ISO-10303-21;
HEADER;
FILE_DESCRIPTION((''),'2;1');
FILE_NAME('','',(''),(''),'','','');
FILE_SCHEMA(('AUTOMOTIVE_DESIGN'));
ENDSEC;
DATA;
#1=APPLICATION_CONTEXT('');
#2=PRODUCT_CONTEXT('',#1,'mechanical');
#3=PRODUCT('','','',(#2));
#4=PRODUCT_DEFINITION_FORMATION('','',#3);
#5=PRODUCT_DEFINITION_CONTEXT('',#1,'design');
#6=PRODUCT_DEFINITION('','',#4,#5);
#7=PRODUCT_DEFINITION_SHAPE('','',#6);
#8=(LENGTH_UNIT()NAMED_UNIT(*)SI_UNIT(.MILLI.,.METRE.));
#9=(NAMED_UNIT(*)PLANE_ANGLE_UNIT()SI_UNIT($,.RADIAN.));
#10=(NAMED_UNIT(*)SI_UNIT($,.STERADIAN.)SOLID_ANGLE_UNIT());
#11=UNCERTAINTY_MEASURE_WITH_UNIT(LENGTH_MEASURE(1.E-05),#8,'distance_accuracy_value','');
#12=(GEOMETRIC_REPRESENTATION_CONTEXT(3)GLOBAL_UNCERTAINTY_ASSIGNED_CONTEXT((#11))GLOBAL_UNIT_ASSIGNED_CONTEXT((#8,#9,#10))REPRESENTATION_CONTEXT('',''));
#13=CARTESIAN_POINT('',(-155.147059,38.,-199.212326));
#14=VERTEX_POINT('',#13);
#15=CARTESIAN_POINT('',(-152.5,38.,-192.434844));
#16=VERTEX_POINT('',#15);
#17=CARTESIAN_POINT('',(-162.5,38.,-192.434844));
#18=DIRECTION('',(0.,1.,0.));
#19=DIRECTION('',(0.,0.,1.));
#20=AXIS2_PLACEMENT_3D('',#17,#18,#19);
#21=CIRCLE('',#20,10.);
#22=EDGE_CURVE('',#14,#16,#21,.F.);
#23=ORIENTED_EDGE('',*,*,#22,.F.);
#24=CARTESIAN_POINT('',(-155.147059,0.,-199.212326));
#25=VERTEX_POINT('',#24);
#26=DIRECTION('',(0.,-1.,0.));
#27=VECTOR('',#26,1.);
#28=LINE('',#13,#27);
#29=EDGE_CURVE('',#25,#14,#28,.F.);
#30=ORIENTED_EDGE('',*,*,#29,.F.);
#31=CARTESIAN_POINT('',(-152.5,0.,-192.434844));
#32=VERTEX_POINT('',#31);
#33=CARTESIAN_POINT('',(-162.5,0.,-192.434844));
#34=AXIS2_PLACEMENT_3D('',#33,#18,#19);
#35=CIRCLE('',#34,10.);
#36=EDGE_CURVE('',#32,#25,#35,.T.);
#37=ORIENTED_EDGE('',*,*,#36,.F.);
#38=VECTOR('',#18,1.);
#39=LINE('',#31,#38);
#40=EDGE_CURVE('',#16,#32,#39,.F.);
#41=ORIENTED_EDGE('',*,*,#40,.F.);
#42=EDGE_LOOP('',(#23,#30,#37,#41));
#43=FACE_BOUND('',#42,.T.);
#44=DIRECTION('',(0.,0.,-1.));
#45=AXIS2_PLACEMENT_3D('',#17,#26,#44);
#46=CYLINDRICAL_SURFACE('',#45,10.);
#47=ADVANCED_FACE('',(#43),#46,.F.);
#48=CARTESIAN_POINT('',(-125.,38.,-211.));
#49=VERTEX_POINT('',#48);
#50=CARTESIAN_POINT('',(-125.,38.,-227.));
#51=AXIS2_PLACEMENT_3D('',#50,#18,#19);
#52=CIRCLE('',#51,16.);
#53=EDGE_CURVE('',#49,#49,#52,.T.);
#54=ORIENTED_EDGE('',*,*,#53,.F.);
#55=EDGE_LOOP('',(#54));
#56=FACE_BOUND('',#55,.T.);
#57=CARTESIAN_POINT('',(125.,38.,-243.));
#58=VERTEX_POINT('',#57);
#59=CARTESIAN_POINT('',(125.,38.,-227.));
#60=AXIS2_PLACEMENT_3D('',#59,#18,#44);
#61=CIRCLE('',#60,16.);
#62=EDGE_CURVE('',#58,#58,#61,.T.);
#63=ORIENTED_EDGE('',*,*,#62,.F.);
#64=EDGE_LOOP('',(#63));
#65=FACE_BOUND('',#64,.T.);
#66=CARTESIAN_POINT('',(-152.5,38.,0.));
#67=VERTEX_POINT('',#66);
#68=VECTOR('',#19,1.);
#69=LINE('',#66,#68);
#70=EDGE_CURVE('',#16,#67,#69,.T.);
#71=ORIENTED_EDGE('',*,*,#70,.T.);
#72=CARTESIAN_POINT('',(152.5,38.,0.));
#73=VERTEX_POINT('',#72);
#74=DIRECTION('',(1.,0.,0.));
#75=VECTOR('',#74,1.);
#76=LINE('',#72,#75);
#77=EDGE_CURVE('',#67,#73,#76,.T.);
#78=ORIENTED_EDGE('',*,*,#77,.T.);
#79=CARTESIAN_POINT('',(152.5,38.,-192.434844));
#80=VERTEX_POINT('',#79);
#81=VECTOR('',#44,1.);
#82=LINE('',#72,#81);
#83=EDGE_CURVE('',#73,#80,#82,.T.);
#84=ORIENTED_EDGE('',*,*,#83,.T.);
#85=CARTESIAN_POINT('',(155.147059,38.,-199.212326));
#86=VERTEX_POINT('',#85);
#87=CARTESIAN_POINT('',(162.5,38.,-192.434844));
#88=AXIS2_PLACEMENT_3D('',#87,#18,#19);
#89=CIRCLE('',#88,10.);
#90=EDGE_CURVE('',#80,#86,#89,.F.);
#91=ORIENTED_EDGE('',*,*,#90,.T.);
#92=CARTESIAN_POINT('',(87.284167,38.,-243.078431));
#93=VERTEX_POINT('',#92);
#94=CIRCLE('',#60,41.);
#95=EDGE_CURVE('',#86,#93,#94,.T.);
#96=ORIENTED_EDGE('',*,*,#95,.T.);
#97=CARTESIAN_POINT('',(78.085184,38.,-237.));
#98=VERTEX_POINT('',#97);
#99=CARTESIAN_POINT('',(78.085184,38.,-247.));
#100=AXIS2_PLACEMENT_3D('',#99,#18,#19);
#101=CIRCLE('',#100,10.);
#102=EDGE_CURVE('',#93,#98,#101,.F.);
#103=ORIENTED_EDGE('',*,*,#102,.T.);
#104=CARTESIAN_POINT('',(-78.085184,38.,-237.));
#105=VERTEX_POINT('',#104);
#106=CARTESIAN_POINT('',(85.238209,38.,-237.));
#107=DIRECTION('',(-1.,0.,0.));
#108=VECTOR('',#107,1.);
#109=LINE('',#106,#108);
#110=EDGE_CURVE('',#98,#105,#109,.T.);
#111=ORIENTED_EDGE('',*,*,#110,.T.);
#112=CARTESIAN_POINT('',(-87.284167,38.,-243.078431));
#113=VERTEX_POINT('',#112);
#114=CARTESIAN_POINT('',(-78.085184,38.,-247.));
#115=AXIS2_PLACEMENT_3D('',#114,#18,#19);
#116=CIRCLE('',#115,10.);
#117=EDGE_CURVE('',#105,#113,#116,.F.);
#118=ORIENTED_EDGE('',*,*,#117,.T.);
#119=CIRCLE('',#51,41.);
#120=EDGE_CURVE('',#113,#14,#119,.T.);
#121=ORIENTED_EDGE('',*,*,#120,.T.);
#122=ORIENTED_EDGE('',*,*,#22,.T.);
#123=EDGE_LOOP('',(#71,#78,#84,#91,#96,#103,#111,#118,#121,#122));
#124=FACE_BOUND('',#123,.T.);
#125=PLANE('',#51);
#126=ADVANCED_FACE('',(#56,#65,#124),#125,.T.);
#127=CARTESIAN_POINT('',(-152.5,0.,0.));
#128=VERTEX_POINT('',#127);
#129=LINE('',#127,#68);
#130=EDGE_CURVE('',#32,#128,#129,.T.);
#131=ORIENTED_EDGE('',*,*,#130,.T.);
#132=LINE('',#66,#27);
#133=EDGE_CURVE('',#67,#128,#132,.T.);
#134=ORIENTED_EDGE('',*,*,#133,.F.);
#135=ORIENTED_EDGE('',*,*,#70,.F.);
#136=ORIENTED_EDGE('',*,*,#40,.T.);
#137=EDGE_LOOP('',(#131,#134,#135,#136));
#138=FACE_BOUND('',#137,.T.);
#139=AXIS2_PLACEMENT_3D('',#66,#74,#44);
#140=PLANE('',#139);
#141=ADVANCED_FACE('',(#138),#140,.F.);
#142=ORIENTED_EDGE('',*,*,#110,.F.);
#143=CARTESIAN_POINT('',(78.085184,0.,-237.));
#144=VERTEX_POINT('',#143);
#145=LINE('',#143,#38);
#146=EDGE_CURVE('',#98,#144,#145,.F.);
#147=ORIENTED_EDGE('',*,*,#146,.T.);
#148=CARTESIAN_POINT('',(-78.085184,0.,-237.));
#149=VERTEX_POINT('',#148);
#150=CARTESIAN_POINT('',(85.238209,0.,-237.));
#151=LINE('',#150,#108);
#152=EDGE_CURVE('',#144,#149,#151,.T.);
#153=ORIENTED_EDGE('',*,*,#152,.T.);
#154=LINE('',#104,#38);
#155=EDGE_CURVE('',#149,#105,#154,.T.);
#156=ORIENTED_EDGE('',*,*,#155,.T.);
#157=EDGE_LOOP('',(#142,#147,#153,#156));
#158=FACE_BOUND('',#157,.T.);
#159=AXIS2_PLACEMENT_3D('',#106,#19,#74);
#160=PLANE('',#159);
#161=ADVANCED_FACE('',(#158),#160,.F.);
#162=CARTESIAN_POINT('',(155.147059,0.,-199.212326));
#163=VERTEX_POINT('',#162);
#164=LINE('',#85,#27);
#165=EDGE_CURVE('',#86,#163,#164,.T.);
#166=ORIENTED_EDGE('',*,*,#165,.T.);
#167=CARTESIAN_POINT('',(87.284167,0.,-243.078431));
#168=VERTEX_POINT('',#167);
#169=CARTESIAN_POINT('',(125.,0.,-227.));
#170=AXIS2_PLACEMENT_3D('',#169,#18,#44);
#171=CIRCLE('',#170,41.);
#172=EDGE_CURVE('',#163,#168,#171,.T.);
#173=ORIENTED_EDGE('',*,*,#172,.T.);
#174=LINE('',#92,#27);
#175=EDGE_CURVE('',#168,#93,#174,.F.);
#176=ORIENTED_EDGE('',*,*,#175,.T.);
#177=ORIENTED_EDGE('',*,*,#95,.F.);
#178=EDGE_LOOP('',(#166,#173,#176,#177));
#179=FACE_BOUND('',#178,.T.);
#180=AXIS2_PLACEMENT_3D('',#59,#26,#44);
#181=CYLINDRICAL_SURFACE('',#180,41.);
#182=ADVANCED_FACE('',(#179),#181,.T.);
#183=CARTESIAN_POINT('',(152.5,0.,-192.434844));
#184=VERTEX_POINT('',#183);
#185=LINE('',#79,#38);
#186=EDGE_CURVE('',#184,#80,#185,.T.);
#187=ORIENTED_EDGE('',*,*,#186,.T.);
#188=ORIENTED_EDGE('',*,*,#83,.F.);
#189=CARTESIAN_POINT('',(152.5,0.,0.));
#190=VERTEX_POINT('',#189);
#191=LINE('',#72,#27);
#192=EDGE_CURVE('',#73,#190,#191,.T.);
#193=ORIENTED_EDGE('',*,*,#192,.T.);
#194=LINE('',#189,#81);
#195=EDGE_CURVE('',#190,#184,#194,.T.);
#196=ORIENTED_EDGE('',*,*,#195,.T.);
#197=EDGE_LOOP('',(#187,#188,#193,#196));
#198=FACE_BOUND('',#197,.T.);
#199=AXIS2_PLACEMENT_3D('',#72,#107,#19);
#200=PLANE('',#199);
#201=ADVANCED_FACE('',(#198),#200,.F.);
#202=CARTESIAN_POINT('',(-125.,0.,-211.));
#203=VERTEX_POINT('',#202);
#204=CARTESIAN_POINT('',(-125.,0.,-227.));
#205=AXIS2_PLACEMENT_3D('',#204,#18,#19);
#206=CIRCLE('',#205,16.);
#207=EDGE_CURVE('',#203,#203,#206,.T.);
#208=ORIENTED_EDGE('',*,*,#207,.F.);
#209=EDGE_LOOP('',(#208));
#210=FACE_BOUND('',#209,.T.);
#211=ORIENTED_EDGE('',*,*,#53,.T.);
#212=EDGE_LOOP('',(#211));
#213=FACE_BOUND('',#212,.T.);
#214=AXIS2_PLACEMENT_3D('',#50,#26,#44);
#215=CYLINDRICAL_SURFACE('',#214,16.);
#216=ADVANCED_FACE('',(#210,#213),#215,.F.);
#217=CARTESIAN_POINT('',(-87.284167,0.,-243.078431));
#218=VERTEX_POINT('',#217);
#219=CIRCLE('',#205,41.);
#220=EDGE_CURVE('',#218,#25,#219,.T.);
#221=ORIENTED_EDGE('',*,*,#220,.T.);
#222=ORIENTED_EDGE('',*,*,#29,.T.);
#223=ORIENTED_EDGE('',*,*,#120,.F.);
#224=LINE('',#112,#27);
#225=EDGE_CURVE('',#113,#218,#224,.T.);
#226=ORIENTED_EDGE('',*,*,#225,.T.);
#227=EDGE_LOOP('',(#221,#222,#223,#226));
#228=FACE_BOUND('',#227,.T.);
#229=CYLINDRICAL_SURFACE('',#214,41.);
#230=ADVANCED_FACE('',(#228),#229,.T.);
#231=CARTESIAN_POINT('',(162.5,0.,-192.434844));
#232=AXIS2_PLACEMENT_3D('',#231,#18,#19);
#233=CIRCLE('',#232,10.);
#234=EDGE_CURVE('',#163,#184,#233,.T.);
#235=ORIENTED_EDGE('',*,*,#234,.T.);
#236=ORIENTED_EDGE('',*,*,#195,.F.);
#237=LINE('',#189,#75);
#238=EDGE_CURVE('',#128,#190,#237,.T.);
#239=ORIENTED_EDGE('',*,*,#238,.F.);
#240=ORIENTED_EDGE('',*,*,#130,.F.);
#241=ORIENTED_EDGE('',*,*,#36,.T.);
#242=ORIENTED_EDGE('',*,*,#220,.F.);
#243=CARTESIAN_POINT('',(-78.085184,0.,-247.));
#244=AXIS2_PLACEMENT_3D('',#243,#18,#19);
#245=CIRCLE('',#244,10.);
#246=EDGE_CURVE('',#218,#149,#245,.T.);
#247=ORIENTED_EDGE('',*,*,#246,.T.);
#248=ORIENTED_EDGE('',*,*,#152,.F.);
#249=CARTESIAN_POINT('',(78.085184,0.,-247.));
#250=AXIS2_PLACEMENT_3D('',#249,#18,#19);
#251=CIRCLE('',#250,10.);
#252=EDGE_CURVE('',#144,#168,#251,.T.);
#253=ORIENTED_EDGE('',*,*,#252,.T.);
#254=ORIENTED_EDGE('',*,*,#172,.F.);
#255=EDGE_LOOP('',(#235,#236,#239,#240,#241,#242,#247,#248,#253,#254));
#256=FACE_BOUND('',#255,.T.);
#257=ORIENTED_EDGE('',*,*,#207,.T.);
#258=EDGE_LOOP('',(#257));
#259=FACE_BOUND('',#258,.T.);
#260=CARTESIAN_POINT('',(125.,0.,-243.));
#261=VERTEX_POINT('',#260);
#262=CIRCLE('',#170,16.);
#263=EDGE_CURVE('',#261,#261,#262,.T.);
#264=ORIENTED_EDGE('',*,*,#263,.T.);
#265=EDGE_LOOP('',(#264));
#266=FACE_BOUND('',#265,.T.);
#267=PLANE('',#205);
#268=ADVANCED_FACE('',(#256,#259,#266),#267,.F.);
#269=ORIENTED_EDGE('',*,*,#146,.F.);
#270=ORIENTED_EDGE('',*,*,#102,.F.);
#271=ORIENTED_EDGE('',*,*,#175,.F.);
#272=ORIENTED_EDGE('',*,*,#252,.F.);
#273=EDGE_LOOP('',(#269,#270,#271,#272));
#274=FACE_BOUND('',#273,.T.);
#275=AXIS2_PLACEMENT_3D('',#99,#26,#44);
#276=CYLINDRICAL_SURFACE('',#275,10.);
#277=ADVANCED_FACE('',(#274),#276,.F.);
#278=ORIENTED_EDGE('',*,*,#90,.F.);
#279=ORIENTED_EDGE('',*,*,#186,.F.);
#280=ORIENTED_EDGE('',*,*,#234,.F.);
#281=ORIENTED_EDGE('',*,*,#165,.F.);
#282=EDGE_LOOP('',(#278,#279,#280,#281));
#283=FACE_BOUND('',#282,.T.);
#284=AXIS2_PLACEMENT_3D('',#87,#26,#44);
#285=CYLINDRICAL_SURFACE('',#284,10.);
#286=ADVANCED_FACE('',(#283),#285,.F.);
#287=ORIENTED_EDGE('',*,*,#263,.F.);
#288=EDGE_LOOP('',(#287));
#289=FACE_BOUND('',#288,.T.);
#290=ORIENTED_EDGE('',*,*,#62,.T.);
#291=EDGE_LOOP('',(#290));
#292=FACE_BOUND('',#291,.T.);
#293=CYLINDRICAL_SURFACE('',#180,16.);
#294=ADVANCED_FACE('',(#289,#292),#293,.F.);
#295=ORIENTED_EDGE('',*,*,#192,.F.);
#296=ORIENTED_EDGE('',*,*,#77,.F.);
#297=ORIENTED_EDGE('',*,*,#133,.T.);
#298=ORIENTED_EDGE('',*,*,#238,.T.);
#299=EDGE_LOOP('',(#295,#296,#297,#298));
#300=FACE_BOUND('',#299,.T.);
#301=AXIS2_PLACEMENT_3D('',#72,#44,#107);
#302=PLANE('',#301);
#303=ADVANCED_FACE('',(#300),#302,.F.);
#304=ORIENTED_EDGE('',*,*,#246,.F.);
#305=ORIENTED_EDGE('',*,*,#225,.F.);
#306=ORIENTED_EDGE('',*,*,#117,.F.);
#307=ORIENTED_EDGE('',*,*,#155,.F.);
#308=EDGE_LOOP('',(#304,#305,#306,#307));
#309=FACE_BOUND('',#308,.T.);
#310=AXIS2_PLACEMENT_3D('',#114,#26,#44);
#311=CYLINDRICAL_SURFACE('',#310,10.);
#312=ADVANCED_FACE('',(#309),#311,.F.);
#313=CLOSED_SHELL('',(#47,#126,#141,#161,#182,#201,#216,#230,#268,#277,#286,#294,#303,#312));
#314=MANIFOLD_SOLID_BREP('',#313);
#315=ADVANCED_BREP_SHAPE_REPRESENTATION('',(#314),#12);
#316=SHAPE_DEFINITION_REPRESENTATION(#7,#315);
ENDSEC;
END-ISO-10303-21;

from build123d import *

# Parameters (mm, degrees)
SKETCH1_R           = 16
BOSS_EXTRUDE1_DEPTH = 38
FILLET2_R           = 10


with BuildPart() as part:
    # Sketch1 → Boss-Extrude1 (new body)
    with BuildSketch(Plane(origin=(0, 0, 0), x_dir=(1, 0, 0), z_dir=(0, 1, 0))):
        with BuildLine():
            Line((152.5, 0), (-152.5, 0))
            Line((-152.5, 0), (-152.5, 196.590297601))
            ThreePointArc((-152.5, 196.590297601), (-146.114542141, 262.145072346), (-85.238209296, 237))
            Line((-85.238209296, 237), (85.238209296, 237))
            ThreePointArc((85.238209296, 237), (146.114542141, 262.145072346), (152.5, 196.590297601))
            Line((152.5, 196.590297601), (152.5, 0))
        make_face()
        with Locations((-125, 227)):
            Circle(SKETCH1_R, mode=Mode.SUBTRACT)
        with Locations((125, 227)):
            Circle(SKETCH1_R, mode=Mode.SUBTRACT)
    extrude(amount=BOSS_EXTRUDE1_DEPTH)

    # Fillet2
    fillet2_edges = [part.edges().sort_by_distance(p)[0] for p in [
        (-152.5, 19, -196.590297601),
        (-85.238209296, 19, -237),
        (85.238209296, 19, -237),
        (152.5, 19, -196.590297601),
    ]]
    fillet(fillet2_edges, radius=FILLET2_R)


solid = part.part
